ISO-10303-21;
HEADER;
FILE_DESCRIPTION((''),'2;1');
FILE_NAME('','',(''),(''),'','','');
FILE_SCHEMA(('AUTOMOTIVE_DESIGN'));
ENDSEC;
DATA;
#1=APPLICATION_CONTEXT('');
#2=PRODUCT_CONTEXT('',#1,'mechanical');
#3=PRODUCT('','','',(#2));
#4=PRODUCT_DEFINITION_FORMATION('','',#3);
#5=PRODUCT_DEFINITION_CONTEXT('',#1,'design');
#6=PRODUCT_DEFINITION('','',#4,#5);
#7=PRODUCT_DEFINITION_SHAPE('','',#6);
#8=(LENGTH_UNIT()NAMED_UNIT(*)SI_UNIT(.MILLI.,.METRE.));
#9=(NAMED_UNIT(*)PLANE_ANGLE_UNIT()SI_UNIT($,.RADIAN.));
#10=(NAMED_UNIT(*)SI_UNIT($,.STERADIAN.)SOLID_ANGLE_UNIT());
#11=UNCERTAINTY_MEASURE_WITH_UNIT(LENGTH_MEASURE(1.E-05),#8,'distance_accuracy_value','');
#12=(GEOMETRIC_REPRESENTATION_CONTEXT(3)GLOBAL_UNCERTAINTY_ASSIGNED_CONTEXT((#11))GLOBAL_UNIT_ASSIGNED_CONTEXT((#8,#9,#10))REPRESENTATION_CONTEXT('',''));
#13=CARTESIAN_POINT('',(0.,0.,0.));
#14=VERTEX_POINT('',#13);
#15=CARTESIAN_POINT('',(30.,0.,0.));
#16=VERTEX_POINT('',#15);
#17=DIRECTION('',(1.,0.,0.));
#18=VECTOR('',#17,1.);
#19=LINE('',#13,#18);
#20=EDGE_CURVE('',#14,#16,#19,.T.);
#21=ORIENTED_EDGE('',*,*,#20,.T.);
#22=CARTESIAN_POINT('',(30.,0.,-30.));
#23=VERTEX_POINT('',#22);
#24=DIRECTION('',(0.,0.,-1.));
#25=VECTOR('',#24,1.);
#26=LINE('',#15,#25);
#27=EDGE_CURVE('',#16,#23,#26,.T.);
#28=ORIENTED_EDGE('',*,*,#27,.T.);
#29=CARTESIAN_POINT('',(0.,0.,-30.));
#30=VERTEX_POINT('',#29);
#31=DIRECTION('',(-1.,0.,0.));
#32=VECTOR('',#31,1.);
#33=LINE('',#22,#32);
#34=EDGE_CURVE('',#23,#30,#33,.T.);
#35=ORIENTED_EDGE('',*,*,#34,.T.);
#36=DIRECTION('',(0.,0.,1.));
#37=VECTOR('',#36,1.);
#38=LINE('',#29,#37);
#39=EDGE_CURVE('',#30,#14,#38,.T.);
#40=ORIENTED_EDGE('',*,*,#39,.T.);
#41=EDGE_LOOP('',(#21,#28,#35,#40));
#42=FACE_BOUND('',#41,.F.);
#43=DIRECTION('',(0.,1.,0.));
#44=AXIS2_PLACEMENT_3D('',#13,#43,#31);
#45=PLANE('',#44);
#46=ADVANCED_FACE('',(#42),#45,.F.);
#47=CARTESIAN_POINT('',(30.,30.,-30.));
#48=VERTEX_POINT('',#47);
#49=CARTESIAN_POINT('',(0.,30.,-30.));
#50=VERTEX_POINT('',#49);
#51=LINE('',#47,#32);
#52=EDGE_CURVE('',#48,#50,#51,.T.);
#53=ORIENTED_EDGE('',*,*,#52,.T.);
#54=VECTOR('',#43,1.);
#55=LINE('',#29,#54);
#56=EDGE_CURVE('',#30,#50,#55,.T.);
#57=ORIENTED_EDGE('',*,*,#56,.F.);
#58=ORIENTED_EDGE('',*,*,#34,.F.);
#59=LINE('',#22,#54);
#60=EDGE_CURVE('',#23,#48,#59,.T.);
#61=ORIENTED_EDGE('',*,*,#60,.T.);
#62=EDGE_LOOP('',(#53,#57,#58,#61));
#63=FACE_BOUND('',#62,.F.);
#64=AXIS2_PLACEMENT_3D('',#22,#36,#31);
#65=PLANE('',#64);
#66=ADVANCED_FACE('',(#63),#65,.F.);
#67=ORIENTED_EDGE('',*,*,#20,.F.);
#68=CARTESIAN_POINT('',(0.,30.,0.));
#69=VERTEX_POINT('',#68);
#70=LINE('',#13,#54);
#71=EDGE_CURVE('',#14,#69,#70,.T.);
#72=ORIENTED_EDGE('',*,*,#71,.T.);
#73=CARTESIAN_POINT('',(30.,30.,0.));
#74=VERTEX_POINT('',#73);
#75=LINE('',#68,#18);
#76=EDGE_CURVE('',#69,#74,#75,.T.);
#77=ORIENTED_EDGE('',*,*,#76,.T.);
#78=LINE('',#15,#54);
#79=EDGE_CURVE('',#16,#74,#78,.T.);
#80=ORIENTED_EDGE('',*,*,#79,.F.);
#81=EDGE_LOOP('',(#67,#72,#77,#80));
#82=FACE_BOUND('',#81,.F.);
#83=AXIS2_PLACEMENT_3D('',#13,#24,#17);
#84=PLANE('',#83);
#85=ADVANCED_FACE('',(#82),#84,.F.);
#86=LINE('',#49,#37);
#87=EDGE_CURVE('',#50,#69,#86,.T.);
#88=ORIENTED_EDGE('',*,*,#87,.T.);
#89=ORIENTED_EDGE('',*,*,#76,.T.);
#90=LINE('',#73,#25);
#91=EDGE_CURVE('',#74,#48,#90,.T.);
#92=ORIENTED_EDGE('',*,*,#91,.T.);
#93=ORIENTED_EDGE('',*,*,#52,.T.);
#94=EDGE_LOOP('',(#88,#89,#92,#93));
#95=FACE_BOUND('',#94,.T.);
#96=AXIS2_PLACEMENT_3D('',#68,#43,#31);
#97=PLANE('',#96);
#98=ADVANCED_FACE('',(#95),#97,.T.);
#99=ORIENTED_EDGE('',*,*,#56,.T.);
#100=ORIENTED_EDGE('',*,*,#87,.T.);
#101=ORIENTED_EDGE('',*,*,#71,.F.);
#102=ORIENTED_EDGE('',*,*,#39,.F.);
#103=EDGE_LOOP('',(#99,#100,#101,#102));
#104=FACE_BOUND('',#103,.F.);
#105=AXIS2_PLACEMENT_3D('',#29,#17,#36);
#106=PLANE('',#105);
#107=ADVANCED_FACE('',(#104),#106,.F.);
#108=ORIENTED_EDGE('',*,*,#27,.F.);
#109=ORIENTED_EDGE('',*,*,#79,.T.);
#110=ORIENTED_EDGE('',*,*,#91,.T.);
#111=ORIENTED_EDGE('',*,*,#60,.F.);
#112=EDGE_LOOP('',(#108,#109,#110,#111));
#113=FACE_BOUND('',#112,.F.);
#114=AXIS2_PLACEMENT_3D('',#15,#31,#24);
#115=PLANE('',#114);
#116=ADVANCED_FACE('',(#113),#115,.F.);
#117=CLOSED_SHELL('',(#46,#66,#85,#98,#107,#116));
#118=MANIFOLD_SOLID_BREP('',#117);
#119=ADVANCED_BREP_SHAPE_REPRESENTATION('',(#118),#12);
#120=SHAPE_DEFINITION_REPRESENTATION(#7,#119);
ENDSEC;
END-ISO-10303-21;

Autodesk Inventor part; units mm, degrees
ref_plane "YZ Plane" through (0, 0, 0) normal (1, 0, 0) x (0, 1, 0)
ref_plane "XZ Plane" through (0, 0, 0) normal (0, 1, 0) x (-1, 0, 0)
ref_plane "XY Plane" through (0, 0, 0) normal (0, 0, 1) x (1, 0, 0)
sketch "Sketch1" plane through (0, 0, 0) normal (0, 1, 0) x (-1, 0, 0)
  line L0 (0, 0) -> (-30, 0)
  line L1 (-30, 0) -> (-30, -30)
  line L2 (-30, -30) -> (0, -30)
  line L3 (0, -30) -> (0, 0)
  dimension "d0" = 30
  dimension "d1" = 30
extrude "Extrusion1" add sketch "Sketch1" along normal blind 30
properties part number "C"
